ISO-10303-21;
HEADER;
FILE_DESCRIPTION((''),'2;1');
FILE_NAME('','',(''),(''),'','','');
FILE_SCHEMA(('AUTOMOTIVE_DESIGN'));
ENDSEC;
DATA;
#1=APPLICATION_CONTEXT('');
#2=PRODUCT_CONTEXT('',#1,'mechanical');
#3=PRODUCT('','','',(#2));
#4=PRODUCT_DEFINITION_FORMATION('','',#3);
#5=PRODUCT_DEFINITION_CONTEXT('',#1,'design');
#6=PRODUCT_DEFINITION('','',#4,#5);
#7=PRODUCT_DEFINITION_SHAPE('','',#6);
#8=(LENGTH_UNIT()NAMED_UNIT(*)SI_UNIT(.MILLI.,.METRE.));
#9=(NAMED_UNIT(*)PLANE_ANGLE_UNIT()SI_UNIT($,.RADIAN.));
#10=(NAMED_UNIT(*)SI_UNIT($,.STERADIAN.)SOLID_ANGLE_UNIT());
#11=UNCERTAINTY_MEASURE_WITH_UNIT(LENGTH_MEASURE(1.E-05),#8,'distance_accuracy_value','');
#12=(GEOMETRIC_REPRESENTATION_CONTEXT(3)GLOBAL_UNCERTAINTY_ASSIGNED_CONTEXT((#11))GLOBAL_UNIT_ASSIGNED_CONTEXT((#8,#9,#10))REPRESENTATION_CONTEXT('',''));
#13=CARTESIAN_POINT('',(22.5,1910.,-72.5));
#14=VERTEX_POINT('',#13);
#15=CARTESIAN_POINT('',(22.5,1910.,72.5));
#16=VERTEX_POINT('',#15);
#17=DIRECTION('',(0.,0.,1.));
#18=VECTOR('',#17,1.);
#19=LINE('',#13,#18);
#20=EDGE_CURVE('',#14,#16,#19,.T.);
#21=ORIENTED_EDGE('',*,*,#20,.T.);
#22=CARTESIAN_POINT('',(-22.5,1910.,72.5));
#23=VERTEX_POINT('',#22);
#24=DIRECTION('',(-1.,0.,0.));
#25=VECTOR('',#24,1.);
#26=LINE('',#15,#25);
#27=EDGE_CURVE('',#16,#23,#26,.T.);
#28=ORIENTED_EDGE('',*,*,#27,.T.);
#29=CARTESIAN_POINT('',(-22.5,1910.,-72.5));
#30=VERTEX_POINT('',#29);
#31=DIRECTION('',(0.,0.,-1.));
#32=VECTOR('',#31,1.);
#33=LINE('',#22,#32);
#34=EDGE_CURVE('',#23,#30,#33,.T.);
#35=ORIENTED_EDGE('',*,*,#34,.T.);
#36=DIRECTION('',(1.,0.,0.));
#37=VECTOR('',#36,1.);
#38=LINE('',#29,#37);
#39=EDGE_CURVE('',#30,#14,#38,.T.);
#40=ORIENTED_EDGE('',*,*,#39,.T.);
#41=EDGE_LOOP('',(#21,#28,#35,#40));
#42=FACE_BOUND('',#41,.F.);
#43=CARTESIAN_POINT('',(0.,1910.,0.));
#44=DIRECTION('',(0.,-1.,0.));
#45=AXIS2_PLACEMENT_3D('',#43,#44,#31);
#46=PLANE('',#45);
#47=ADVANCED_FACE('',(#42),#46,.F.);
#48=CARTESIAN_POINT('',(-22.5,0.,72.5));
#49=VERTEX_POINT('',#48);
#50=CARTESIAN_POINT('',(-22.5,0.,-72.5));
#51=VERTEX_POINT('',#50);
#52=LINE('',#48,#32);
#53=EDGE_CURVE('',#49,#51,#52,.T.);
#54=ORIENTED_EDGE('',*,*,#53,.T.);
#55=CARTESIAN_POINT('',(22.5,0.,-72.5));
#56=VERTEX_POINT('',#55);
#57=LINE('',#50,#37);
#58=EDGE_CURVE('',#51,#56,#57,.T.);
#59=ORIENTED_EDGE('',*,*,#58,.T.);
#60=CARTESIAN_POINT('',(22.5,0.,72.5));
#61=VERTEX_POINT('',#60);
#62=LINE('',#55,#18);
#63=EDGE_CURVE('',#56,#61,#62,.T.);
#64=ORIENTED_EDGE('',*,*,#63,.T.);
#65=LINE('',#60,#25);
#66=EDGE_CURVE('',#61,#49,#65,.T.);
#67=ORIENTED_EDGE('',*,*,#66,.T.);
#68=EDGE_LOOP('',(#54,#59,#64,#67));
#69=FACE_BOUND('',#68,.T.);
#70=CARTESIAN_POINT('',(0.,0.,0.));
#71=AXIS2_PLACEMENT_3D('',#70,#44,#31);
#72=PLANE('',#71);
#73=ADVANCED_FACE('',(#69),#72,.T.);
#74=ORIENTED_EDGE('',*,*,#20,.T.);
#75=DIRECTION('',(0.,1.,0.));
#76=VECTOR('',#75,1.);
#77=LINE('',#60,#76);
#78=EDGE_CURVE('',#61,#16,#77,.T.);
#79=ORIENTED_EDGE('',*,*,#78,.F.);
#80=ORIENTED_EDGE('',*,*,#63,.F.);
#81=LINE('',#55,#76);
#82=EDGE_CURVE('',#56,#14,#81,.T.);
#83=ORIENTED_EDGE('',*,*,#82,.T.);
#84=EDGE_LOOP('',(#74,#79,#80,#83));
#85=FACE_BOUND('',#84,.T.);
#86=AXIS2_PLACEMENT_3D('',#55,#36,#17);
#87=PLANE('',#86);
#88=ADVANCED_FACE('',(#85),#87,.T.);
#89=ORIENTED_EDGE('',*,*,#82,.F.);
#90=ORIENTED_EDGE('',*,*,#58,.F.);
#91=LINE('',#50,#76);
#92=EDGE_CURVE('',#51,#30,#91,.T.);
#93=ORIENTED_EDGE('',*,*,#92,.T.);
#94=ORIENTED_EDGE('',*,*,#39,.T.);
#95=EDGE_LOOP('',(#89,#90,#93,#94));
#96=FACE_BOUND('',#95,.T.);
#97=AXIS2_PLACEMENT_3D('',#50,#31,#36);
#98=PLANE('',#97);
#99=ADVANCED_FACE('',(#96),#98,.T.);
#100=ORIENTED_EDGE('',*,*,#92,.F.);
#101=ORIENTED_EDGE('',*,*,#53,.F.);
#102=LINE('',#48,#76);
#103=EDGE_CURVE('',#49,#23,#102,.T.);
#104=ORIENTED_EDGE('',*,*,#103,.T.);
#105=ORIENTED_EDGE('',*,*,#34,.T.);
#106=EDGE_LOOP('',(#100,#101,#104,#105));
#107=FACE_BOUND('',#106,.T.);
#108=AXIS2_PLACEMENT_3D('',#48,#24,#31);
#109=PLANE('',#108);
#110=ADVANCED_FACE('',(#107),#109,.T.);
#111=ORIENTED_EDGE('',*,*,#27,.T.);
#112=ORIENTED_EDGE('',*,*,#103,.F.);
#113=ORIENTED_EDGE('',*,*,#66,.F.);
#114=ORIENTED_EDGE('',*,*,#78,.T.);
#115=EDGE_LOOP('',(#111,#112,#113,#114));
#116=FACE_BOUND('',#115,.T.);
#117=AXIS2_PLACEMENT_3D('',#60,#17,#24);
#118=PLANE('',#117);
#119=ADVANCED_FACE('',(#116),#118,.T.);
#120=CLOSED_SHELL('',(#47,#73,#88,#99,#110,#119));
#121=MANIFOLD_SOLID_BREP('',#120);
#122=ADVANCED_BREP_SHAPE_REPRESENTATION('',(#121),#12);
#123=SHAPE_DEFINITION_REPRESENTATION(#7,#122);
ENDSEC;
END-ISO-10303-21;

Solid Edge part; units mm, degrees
sketch "Sketch1" plane through (0, 0, 0) normal (0, -1, 0) x (1, 0, 0)
  line L0 (-22.5, -72.5) -> (22.5, -72.5)
  line L1 (22.5, -72.5) -> (22.5, 72.5)
  line L2 (22.5, 72.5) -> (-22.5, 72.5)
  line L3 (-22.5, 72.5) -> (-22.5, -72.5)
extrude "Protrusion1" add sketch "Sketch1" against normal blind 1910
properties material "Wood, Pine"
